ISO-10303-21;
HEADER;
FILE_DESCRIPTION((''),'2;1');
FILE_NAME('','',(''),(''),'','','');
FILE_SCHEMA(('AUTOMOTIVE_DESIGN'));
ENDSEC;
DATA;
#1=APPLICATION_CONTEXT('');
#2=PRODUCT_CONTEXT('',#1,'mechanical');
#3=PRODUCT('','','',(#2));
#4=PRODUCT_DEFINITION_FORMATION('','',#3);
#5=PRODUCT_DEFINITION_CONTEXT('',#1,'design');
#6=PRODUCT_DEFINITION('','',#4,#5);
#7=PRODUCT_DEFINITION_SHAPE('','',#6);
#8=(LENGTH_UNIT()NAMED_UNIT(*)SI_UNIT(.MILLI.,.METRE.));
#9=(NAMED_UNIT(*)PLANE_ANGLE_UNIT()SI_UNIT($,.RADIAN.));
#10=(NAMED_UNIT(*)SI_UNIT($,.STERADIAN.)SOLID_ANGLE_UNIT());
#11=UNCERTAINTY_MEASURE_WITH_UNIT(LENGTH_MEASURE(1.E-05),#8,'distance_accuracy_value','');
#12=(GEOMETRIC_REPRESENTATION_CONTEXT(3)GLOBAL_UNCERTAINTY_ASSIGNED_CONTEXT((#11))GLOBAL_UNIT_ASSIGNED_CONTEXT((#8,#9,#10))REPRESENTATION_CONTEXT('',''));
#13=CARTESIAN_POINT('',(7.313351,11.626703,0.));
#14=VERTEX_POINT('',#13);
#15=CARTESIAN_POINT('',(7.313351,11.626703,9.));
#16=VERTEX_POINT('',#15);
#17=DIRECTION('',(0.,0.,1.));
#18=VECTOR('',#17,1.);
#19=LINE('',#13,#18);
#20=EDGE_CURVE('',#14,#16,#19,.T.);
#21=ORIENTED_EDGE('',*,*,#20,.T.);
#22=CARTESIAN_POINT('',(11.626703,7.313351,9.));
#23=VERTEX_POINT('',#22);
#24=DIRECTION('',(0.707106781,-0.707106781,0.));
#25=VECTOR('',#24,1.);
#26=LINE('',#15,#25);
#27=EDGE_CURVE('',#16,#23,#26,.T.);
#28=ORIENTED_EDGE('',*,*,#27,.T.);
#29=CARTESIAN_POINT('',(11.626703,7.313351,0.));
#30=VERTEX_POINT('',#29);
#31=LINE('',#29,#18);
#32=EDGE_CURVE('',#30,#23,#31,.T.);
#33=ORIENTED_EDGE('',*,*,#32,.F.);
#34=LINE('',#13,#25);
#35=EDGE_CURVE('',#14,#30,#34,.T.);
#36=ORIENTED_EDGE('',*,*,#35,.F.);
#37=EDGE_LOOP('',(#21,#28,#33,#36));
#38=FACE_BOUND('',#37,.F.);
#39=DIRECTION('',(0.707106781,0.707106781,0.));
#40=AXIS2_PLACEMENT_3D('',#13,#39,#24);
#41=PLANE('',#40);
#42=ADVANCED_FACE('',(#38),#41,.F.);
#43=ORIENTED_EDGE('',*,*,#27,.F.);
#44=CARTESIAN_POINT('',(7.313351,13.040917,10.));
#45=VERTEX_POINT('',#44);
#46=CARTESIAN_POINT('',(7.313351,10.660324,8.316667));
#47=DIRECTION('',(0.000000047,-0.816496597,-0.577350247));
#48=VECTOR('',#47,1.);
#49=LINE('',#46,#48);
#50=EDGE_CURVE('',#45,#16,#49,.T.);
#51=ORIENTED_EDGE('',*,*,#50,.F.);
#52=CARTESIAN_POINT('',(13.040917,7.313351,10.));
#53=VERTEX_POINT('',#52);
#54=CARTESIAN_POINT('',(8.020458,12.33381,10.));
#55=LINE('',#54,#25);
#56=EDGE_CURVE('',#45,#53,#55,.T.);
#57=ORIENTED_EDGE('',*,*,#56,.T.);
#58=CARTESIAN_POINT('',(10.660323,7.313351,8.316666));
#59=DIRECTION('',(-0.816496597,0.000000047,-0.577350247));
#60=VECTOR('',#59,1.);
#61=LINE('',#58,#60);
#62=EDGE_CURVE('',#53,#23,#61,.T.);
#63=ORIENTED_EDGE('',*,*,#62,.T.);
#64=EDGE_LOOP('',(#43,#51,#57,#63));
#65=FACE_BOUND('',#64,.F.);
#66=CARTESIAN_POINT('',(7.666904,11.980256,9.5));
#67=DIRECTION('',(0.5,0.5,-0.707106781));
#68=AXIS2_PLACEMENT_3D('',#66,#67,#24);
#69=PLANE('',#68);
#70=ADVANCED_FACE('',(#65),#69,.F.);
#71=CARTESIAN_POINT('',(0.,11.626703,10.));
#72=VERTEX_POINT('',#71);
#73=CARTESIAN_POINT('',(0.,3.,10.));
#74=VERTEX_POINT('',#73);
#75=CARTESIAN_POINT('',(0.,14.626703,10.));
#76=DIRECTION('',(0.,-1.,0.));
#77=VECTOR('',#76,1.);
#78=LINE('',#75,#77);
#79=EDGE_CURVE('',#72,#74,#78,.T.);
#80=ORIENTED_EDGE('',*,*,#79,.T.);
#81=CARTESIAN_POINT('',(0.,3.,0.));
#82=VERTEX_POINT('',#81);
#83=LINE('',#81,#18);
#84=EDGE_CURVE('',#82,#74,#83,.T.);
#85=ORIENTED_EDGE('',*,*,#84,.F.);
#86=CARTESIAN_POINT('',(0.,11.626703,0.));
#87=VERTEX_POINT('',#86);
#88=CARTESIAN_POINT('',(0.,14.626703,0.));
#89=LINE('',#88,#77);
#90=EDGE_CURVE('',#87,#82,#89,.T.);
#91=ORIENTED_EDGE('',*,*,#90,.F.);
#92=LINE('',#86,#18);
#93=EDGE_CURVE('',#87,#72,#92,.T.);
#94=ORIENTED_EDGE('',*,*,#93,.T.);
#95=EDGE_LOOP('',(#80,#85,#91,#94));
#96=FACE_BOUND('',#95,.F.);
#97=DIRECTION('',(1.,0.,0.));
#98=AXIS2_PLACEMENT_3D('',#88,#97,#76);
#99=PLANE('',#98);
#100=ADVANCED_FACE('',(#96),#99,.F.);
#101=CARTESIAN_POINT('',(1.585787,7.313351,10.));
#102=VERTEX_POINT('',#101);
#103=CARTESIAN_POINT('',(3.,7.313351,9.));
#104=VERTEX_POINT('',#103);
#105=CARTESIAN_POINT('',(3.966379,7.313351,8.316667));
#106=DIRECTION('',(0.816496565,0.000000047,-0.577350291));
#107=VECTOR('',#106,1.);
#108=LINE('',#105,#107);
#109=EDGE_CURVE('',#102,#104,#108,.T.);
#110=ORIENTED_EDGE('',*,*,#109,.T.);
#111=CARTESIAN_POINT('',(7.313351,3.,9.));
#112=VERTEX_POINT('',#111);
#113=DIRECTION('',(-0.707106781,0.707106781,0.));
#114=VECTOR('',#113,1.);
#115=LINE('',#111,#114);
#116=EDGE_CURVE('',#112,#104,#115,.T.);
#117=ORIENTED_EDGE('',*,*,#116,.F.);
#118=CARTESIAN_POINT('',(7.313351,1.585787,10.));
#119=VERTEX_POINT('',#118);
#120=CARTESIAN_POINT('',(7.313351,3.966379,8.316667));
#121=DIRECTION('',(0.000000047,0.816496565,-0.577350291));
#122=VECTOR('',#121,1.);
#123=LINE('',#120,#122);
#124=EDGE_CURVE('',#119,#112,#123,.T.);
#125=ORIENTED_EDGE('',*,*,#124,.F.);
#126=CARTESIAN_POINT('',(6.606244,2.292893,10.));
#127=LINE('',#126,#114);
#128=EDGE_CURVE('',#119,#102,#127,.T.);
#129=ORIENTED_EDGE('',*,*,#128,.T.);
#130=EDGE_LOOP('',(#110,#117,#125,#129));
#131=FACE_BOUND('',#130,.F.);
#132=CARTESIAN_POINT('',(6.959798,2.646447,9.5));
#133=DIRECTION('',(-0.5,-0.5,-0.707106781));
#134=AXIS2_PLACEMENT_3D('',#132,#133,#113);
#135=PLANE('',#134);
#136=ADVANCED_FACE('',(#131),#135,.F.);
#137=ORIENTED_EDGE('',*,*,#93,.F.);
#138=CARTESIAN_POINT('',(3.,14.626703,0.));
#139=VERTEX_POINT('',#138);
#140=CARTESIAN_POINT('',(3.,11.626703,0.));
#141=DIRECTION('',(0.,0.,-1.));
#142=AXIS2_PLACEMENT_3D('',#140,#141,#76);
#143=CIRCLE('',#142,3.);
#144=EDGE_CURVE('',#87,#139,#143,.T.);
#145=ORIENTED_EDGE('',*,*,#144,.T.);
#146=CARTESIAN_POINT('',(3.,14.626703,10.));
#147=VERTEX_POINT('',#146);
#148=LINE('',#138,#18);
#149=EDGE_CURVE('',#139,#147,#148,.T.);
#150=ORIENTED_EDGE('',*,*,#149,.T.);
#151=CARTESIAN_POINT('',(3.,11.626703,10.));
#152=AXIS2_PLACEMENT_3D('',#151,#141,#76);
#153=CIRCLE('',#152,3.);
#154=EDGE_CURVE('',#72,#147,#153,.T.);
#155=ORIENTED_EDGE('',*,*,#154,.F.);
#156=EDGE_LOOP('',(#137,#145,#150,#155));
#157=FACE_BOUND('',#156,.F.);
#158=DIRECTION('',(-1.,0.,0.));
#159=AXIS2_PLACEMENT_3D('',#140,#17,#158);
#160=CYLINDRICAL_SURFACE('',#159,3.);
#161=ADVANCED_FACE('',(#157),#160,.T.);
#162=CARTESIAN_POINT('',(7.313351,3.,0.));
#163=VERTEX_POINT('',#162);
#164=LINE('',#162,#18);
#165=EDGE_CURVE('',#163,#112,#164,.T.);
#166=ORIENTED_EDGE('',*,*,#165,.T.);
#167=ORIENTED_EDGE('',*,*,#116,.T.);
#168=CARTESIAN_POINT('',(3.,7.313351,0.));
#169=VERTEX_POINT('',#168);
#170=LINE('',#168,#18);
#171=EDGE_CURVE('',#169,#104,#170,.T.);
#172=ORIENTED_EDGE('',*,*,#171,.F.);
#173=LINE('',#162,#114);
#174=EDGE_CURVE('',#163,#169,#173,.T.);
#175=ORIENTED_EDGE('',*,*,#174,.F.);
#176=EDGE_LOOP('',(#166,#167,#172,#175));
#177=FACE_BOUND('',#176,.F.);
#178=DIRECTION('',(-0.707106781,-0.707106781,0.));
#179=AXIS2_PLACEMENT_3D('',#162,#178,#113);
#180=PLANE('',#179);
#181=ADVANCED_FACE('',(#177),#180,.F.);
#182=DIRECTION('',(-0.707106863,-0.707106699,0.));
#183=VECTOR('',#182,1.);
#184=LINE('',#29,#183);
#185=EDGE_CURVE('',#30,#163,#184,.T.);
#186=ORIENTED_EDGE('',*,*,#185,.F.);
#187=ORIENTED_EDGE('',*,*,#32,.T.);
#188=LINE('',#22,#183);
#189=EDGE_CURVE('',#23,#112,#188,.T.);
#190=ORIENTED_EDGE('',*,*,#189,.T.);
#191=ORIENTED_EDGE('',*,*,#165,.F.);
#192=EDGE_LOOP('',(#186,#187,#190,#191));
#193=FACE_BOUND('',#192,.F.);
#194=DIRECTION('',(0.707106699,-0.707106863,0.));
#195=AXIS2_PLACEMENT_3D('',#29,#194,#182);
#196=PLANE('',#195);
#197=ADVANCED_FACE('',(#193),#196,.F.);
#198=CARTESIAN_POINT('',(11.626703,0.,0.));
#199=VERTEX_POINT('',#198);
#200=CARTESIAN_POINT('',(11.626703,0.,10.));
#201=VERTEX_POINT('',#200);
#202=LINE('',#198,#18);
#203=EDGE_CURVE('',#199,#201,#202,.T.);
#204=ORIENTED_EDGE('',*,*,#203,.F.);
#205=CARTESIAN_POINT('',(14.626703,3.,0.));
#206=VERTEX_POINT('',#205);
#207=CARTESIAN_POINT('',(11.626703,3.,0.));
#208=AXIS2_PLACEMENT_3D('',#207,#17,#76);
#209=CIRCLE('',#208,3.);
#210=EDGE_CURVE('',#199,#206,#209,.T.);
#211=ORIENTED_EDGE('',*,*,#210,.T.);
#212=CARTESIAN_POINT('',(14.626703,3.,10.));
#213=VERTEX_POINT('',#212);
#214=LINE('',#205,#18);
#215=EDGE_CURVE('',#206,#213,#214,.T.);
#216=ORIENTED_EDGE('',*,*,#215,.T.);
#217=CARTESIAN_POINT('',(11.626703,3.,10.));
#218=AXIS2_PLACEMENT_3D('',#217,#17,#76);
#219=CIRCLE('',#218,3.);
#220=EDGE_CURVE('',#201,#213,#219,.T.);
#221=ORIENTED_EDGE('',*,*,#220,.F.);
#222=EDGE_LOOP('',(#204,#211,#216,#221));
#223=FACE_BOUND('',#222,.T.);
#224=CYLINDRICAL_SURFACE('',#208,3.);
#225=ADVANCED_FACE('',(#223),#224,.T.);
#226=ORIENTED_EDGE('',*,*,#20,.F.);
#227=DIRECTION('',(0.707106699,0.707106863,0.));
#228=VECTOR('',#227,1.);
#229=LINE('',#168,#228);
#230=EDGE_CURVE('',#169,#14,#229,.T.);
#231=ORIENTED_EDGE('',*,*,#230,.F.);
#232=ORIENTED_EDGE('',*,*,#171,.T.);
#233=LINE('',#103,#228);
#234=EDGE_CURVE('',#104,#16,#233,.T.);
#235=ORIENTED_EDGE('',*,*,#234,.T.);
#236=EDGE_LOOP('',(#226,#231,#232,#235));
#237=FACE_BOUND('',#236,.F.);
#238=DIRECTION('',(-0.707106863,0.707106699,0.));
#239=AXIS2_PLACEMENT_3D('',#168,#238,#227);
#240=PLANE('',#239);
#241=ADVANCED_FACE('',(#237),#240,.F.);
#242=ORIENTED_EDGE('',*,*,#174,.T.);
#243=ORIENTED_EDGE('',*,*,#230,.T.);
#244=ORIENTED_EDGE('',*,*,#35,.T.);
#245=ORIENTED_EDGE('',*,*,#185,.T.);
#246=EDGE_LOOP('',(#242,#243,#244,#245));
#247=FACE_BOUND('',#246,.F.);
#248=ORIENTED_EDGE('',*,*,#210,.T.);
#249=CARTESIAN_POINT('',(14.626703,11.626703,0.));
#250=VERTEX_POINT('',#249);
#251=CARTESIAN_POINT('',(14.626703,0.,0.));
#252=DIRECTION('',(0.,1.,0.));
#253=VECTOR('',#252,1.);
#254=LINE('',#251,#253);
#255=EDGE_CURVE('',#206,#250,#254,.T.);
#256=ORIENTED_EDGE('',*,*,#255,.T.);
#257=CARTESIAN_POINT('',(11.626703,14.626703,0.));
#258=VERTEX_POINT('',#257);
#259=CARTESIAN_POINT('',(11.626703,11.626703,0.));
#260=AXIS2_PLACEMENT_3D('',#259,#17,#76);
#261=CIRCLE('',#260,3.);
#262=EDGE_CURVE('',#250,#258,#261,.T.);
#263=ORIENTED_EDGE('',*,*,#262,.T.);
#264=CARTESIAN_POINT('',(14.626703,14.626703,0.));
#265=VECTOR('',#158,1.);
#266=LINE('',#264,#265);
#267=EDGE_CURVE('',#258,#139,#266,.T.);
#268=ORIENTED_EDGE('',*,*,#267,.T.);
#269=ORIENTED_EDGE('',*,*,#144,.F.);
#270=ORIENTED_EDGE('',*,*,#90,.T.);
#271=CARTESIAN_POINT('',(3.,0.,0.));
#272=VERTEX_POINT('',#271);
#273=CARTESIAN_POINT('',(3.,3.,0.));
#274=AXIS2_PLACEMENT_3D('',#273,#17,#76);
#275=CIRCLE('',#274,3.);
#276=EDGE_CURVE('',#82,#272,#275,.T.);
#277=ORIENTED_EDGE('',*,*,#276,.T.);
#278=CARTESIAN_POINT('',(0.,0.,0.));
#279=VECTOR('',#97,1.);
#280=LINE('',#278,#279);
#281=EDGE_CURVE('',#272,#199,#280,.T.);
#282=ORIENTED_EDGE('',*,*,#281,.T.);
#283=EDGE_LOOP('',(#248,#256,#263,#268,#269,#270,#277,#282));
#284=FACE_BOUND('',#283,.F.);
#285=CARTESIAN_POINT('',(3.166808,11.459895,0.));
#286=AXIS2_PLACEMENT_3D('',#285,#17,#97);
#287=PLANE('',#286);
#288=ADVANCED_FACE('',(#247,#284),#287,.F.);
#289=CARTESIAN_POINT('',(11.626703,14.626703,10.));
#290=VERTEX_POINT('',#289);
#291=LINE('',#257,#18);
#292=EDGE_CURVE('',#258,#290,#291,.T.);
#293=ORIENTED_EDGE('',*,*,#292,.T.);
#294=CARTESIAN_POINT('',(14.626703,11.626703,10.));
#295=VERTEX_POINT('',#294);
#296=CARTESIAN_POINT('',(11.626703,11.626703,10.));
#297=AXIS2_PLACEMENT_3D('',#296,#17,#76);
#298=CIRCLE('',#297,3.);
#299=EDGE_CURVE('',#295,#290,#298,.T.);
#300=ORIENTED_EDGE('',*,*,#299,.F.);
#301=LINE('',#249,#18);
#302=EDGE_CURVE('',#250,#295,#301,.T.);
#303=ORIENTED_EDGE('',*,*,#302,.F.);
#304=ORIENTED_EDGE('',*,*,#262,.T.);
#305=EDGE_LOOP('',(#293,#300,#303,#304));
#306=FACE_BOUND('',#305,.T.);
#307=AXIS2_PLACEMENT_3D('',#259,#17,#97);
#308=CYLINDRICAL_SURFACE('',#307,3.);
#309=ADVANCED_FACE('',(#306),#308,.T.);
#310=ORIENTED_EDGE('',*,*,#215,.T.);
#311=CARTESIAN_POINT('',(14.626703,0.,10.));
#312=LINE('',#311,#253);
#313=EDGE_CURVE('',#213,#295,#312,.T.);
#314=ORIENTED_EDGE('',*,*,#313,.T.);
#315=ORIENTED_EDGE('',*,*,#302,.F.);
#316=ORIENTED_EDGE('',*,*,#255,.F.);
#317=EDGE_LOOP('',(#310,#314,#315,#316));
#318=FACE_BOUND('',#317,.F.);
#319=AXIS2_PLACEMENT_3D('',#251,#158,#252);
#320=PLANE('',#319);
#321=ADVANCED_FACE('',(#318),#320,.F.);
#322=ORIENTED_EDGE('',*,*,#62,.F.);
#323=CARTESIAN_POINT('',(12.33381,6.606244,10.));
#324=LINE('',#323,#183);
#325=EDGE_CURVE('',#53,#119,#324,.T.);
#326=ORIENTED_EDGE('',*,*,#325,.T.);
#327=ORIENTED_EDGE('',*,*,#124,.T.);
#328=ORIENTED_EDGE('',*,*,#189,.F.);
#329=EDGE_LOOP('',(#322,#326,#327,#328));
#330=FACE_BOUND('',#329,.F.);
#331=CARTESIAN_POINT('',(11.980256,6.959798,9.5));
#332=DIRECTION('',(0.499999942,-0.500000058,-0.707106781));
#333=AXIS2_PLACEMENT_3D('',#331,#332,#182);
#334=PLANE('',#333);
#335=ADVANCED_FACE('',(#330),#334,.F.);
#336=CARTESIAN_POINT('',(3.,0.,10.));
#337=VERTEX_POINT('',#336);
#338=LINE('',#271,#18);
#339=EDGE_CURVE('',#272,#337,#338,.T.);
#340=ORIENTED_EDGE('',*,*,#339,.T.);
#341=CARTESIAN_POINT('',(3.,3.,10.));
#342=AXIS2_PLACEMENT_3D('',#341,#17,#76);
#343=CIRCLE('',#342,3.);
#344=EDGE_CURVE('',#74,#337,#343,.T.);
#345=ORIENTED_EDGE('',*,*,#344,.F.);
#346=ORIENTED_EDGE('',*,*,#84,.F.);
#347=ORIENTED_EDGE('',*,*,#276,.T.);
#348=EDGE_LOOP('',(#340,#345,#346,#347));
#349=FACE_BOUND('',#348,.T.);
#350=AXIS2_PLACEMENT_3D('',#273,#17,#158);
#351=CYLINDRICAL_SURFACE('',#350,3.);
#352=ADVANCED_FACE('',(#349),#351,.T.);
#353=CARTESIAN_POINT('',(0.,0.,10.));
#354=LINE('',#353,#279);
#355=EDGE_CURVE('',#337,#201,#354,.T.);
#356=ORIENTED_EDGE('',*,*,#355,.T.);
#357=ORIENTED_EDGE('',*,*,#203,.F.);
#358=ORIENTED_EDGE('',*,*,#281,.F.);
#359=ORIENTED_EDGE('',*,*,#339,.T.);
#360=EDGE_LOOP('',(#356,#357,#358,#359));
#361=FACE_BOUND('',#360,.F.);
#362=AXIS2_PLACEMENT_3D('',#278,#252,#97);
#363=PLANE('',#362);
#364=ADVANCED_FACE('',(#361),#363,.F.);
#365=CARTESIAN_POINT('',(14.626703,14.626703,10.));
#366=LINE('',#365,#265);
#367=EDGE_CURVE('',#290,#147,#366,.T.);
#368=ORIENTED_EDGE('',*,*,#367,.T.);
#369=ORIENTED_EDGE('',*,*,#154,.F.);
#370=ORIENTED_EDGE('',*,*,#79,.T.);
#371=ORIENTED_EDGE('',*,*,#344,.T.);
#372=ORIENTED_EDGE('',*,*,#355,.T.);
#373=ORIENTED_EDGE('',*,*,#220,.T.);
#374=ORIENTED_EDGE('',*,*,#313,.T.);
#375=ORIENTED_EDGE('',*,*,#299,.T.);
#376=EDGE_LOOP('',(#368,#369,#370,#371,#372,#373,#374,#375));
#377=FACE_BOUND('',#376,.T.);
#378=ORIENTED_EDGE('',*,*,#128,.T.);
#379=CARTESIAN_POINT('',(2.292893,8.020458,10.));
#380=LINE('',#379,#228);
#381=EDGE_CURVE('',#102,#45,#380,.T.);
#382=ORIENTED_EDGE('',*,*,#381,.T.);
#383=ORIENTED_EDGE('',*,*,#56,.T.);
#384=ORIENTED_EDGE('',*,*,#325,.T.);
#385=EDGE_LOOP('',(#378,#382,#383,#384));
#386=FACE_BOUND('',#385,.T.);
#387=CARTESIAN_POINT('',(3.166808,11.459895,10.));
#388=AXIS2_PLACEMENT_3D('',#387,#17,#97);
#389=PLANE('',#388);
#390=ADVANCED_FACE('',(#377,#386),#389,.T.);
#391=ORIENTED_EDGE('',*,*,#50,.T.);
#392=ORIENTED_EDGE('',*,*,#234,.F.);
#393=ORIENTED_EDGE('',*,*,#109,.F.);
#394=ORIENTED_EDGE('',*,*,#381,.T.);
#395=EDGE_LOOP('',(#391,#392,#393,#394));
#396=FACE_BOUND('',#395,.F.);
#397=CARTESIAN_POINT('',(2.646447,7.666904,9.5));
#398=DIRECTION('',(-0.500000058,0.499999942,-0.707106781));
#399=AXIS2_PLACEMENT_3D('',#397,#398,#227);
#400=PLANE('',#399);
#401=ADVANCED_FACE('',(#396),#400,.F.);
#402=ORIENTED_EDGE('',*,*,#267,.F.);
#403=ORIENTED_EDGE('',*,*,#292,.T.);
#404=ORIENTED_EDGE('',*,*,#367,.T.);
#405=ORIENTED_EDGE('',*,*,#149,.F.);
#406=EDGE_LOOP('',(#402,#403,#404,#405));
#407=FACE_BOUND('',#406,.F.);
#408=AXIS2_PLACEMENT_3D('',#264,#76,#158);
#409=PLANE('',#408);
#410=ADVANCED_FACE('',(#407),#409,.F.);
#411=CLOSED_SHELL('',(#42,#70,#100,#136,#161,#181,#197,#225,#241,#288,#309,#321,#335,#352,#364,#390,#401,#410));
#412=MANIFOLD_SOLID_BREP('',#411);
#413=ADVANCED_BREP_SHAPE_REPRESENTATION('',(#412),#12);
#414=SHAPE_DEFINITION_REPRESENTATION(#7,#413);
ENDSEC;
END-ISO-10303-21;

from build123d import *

# Parameters (mm, degrees)
F1_DEPTH = 10
F2_R     = 3
F3_SIZE  = 1


with BuildPart() as f1:
    # F0 (on Top) → F1 (new body)
    with BuildSketch(Plane.XY):
        Polygon((0, 14.626703), (0, 7.313351), (3, 7.313351), (7.313351, 11.626703), (7.313351, 14.626703), align=None)
        Polygon((0, 7.313351), (0, 0), (7.313351, 0), (7.313351, 3), (3, 7.313351), align=None)
        Polygon((7.313351, 3), (7.313351, 0), (14.626703, 0), (14.626703, 7.313351), (11.626703, 7.313351), align=None)
        Polygon((11.626703, 7.313351), (14.626703, 7.313351), (14.626703, 14.626703), (7.313351, 14.626703), (7.313351, 11.626703), align=None)
    extrude(amount=F1_DEPTH)

    # F2
    f2_edges = [f1.edges().sort_by_distance(p)[0] for p in [
        (0, 0, 5),
        (0, 14.626703, 5),
        (14.626703, 0, 5),
        (14.626703, 14.626703, 5),
    ]]
    fillet(f2_edges, radius=F2_R)

    # F3
    f3_edges = [f1.edges().sort_by_distance(p)[0] for p in [
        (5.156676, 9.470027, 10),
        (5.156676, 5.156676, 10),
        (9.470027, 9.470027, 10),
        (9.470027, 5.156676, 10),
    ]]
    chamfer(f3_edges, length=F3_SIZE)


solid = f1.part
